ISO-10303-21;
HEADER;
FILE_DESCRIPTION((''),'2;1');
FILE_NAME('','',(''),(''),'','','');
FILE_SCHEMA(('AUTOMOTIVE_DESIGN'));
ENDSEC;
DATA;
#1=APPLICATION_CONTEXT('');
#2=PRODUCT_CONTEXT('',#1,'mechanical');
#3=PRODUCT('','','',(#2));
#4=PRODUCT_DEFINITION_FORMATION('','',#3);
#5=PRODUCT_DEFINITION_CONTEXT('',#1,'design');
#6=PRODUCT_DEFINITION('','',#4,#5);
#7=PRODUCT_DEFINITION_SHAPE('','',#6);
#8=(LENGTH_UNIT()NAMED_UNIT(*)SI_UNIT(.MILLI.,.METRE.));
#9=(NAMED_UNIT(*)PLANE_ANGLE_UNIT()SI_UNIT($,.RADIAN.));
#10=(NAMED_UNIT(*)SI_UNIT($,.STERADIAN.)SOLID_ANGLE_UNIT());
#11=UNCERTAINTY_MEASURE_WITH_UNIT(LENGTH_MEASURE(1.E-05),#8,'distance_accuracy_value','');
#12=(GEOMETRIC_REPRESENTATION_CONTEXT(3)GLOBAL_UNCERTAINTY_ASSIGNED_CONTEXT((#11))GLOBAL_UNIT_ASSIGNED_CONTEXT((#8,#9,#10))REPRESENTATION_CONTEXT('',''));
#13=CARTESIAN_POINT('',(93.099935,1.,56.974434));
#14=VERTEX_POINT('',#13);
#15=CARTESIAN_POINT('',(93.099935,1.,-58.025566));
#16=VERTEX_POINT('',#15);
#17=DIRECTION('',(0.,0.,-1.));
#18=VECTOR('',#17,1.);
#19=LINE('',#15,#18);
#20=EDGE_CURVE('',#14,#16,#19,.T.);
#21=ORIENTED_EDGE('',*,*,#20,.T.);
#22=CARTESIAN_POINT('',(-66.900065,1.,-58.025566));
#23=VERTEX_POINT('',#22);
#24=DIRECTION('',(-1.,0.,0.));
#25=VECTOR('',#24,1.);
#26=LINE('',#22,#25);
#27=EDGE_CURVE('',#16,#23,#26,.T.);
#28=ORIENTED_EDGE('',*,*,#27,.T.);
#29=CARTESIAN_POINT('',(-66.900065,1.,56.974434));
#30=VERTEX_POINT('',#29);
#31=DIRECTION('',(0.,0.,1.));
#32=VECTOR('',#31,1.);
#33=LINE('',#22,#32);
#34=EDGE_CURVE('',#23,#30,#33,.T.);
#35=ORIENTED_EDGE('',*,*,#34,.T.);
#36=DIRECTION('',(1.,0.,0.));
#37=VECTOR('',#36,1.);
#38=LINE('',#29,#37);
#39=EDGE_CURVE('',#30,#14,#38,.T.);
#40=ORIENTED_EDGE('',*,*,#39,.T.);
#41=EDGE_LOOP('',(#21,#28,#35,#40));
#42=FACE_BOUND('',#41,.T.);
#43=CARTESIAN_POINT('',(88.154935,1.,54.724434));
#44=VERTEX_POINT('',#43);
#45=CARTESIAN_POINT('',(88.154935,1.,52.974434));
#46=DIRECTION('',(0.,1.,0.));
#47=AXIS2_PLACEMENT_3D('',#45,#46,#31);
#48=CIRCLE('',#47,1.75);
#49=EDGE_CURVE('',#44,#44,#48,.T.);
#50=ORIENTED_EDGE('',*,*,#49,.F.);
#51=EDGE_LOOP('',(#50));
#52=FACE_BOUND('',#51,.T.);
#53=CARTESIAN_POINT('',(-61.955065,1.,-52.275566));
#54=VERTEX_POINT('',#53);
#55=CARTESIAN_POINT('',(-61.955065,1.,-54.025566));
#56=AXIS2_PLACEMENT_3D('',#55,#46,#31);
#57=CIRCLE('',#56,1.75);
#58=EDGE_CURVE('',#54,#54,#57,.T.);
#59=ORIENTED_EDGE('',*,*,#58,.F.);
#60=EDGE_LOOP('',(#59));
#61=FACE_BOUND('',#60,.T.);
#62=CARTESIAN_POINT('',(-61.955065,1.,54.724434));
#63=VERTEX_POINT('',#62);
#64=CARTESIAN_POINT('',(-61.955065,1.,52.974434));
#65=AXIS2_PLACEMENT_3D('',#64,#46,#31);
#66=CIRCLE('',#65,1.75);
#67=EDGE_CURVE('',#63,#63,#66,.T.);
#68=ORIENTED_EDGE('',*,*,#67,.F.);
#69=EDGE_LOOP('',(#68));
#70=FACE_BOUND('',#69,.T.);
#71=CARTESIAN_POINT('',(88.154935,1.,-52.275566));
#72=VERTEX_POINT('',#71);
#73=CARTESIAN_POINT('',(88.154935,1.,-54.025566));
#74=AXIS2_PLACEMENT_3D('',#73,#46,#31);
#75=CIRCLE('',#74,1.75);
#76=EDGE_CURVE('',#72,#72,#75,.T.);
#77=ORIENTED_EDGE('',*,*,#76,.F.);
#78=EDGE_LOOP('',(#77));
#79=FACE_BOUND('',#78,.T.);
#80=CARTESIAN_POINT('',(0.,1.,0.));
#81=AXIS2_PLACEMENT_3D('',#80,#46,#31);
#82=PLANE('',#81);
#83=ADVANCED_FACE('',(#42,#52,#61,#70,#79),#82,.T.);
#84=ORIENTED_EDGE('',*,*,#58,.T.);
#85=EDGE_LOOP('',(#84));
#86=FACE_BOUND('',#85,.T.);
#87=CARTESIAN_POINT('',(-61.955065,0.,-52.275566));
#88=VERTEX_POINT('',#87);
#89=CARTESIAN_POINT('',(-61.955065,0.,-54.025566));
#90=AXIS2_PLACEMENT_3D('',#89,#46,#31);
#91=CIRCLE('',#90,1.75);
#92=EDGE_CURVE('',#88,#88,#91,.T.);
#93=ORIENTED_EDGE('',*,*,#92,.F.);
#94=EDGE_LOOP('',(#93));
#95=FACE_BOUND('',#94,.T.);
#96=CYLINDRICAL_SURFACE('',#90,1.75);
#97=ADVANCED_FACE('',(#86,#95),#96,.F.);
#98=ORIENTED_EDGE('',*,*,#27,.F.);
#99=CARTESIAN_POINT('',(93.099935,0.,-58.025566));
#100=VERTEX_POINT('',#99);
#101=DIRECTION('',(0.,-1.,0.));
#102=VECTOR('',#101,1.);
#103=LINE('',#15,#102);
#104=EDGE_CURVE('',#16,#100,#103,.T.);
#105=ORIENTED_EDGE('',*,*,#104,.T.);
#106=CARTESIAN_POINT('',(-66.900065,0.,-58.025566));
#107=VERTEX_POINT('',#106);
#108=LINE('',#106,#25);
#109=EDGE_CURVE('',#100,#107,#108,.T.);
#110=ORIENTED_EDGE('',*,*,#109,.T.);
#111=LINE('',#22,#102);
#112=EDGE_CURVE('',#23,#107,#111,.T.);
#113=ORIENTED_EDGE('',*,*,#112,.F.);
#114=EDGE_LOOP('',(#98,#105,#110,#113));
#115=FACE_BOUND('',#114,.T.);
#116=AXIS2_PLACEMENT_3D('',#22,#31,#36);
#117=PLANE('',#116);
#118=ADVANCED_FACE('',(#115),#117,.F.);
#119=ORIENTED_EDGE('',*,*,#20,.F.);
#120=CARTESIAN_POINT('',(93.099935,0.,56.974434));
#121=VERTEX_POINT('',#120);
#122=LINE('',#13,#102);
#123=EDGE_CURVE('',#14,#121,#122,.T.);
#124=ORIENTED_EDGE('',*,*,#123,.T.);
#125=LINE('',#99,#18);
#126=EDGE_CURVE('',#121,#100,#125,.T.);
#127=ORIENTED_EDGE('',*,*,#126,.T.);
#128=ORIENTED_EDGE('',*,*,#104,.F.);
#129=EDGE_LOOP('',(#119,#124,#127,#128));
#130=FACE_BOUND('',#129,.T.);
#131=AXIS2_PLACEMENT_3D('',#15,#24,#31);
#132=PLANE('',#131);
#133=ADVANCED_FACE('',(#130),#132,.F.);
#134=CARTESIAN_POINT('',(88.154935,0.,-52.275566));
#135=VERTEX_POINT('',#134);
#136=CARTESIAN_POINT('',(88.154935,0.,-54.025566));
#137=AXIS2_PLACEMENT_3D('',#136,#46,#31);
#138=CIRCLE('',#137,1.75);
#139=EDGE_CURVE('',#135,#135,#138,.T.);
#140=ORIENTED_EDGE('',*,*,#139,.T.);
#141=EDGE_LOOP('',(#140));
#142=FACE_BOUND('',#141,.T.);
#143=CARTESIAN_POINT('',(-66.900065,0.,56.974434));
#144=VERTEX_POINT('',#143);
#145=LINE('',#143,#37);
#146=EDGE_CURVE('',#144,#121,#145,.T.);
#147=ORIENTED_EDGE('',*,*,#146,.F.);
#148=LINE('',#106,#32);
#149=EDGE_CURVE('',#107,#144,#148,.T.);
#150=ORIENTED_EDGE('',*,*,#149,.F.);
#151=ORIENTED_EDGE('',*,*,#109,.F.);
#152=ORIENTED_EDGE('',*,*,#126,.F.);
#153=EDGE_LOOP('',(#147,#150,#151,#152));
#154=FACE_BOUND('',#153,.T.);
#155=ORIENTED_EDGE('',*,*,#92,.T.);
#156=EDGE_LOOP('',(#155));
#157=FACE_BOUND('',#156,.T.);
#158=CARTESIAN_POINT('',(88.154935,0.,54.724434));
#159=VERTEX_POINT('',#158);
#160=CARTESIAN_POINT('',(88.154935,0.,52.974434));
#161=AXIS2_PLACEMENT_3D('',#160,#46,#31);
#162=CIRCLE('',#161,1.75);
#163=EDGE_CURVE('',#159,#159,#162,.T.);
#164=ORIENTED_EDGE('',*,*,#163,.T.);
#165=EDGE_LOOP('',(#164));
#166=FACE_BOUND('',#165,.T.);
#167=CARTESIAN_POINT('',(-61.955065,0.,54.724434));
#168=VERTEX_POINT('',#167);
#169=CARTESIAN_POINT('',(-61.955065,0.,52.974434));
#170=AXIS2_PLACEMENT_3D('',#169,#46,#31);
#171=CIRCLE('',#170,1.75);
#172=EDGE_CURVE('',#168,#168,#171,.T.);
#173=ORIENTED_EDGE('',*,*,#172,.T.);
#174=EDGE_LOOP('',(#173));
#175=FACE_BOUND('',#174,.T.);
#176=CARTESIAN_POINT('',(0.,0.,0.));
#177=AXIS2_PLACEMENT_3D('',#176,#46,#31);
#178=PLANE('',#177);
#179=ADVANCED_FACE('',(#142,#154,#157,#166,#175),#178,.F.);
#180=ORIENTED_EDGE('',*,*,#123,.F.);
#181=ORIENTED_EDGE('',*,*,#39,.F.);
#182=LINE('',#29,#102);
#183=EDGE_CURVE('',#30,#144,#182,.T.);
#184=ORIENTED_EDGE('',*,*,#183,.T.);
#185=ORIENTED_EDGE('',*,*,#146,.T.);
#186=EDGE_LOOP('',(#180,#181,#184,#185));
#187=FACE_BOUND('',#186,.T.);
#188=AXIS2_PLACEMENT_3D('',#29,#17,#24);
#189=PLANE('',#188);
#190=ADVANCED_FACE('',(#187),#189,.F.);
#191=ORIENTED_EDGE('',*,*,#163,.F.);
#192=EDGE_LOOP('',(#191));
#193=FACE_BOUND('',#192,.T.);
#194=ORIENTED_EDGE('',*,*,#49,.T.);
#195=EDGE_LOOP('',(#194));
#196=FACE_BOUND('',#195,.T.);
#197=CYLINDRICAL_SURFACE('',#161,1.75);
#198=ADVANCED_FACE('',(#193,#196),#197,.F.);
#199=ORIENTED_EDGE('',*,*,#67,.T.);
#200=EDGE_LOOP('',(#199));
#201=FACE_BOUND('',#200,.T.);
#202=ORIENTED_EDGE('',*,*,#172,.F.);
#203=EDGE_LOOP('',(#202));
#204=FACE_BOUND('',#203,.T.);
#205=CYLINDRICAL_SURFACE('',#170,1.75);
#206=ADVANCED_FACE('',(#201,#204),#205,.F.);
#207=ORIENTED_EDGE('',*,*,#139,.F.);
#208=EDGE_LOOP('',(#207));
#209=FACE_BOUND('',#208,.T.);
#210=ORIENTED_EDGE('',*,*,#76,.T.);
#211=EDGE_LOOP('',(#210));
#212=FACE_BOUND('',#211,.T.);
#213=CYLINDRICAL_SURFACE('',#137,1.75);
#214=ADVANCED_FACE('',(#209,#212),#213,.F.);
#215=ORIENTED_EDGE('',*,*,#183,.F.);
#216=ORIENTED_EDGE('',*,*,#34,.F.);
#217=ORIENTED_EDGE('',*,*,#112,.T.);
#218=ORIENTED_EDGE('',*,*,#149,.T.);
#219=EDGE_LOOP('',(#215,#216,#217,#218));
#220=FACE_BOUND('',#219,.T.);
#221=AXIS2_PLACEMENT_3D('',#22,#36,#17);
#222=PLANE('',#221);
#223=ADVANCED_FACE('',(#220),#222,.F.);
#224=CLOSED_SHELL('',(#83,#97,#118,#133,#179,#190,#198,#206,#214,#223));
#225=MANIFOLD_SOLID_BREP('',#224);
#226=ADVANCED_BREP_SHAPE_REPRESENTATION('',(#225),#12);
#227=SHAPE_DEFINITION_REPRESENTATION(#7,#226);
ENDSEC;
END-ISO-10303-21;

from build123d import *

# Parameters (mm, degrees)
SKETCH1_W           = 160
SKETCH1_H           = 115
BOSS_EXTRUDE1_DEPTH = 1
SKETCH2_R           = 1.75
CUT_EXTRUDE1_DEPTH  = 110.70671941


with BuildPart() as part:
    # Sketch1 → Boss-Extrude1 (new body)
    with BuildSketch(Plane(origin=(0, 0, 0), x_dir=(1, 0, 0), z_dir=(0, 1, 0))):
        with Locations((13.099935112, 0.525566485)):
            Rectangle(SKETCH1_W, SKETCH1_H)
    extrude(amount=BOSS_EXTRUDE1_DEPTH)

    # Sketch2 → Cut-Extrude1 (cut, through all)
    with BuildSketch(Plane(origin=(0, 1, 0), x_dir=(1, 0, 0), z_dir=(0, 1, 0))):
        with Locations(Location((-61.955064888, -52.974433515, 0), (0, 0, 270))):
            Circle(SKETCH2_R)
        with Locations(Location((-61.955064888, 54.025566485, 0), (0, 0, 270))):
            Circle(SKETCH2_R)
        with Locations(Location((88.154935112, -52.974433515, 0), (0, 0, 270))):
            Circle(SKETCH2_R)
        with Locations(Location((88.154935112, 54.025566485, 0), (0, 0, 270))):
            Circle(SKETCH2_R)
    extrude(amount=-CUT_EXTRUDE1_DEPTH, mode=Mode.SUBTRACT)


solid = part.part
